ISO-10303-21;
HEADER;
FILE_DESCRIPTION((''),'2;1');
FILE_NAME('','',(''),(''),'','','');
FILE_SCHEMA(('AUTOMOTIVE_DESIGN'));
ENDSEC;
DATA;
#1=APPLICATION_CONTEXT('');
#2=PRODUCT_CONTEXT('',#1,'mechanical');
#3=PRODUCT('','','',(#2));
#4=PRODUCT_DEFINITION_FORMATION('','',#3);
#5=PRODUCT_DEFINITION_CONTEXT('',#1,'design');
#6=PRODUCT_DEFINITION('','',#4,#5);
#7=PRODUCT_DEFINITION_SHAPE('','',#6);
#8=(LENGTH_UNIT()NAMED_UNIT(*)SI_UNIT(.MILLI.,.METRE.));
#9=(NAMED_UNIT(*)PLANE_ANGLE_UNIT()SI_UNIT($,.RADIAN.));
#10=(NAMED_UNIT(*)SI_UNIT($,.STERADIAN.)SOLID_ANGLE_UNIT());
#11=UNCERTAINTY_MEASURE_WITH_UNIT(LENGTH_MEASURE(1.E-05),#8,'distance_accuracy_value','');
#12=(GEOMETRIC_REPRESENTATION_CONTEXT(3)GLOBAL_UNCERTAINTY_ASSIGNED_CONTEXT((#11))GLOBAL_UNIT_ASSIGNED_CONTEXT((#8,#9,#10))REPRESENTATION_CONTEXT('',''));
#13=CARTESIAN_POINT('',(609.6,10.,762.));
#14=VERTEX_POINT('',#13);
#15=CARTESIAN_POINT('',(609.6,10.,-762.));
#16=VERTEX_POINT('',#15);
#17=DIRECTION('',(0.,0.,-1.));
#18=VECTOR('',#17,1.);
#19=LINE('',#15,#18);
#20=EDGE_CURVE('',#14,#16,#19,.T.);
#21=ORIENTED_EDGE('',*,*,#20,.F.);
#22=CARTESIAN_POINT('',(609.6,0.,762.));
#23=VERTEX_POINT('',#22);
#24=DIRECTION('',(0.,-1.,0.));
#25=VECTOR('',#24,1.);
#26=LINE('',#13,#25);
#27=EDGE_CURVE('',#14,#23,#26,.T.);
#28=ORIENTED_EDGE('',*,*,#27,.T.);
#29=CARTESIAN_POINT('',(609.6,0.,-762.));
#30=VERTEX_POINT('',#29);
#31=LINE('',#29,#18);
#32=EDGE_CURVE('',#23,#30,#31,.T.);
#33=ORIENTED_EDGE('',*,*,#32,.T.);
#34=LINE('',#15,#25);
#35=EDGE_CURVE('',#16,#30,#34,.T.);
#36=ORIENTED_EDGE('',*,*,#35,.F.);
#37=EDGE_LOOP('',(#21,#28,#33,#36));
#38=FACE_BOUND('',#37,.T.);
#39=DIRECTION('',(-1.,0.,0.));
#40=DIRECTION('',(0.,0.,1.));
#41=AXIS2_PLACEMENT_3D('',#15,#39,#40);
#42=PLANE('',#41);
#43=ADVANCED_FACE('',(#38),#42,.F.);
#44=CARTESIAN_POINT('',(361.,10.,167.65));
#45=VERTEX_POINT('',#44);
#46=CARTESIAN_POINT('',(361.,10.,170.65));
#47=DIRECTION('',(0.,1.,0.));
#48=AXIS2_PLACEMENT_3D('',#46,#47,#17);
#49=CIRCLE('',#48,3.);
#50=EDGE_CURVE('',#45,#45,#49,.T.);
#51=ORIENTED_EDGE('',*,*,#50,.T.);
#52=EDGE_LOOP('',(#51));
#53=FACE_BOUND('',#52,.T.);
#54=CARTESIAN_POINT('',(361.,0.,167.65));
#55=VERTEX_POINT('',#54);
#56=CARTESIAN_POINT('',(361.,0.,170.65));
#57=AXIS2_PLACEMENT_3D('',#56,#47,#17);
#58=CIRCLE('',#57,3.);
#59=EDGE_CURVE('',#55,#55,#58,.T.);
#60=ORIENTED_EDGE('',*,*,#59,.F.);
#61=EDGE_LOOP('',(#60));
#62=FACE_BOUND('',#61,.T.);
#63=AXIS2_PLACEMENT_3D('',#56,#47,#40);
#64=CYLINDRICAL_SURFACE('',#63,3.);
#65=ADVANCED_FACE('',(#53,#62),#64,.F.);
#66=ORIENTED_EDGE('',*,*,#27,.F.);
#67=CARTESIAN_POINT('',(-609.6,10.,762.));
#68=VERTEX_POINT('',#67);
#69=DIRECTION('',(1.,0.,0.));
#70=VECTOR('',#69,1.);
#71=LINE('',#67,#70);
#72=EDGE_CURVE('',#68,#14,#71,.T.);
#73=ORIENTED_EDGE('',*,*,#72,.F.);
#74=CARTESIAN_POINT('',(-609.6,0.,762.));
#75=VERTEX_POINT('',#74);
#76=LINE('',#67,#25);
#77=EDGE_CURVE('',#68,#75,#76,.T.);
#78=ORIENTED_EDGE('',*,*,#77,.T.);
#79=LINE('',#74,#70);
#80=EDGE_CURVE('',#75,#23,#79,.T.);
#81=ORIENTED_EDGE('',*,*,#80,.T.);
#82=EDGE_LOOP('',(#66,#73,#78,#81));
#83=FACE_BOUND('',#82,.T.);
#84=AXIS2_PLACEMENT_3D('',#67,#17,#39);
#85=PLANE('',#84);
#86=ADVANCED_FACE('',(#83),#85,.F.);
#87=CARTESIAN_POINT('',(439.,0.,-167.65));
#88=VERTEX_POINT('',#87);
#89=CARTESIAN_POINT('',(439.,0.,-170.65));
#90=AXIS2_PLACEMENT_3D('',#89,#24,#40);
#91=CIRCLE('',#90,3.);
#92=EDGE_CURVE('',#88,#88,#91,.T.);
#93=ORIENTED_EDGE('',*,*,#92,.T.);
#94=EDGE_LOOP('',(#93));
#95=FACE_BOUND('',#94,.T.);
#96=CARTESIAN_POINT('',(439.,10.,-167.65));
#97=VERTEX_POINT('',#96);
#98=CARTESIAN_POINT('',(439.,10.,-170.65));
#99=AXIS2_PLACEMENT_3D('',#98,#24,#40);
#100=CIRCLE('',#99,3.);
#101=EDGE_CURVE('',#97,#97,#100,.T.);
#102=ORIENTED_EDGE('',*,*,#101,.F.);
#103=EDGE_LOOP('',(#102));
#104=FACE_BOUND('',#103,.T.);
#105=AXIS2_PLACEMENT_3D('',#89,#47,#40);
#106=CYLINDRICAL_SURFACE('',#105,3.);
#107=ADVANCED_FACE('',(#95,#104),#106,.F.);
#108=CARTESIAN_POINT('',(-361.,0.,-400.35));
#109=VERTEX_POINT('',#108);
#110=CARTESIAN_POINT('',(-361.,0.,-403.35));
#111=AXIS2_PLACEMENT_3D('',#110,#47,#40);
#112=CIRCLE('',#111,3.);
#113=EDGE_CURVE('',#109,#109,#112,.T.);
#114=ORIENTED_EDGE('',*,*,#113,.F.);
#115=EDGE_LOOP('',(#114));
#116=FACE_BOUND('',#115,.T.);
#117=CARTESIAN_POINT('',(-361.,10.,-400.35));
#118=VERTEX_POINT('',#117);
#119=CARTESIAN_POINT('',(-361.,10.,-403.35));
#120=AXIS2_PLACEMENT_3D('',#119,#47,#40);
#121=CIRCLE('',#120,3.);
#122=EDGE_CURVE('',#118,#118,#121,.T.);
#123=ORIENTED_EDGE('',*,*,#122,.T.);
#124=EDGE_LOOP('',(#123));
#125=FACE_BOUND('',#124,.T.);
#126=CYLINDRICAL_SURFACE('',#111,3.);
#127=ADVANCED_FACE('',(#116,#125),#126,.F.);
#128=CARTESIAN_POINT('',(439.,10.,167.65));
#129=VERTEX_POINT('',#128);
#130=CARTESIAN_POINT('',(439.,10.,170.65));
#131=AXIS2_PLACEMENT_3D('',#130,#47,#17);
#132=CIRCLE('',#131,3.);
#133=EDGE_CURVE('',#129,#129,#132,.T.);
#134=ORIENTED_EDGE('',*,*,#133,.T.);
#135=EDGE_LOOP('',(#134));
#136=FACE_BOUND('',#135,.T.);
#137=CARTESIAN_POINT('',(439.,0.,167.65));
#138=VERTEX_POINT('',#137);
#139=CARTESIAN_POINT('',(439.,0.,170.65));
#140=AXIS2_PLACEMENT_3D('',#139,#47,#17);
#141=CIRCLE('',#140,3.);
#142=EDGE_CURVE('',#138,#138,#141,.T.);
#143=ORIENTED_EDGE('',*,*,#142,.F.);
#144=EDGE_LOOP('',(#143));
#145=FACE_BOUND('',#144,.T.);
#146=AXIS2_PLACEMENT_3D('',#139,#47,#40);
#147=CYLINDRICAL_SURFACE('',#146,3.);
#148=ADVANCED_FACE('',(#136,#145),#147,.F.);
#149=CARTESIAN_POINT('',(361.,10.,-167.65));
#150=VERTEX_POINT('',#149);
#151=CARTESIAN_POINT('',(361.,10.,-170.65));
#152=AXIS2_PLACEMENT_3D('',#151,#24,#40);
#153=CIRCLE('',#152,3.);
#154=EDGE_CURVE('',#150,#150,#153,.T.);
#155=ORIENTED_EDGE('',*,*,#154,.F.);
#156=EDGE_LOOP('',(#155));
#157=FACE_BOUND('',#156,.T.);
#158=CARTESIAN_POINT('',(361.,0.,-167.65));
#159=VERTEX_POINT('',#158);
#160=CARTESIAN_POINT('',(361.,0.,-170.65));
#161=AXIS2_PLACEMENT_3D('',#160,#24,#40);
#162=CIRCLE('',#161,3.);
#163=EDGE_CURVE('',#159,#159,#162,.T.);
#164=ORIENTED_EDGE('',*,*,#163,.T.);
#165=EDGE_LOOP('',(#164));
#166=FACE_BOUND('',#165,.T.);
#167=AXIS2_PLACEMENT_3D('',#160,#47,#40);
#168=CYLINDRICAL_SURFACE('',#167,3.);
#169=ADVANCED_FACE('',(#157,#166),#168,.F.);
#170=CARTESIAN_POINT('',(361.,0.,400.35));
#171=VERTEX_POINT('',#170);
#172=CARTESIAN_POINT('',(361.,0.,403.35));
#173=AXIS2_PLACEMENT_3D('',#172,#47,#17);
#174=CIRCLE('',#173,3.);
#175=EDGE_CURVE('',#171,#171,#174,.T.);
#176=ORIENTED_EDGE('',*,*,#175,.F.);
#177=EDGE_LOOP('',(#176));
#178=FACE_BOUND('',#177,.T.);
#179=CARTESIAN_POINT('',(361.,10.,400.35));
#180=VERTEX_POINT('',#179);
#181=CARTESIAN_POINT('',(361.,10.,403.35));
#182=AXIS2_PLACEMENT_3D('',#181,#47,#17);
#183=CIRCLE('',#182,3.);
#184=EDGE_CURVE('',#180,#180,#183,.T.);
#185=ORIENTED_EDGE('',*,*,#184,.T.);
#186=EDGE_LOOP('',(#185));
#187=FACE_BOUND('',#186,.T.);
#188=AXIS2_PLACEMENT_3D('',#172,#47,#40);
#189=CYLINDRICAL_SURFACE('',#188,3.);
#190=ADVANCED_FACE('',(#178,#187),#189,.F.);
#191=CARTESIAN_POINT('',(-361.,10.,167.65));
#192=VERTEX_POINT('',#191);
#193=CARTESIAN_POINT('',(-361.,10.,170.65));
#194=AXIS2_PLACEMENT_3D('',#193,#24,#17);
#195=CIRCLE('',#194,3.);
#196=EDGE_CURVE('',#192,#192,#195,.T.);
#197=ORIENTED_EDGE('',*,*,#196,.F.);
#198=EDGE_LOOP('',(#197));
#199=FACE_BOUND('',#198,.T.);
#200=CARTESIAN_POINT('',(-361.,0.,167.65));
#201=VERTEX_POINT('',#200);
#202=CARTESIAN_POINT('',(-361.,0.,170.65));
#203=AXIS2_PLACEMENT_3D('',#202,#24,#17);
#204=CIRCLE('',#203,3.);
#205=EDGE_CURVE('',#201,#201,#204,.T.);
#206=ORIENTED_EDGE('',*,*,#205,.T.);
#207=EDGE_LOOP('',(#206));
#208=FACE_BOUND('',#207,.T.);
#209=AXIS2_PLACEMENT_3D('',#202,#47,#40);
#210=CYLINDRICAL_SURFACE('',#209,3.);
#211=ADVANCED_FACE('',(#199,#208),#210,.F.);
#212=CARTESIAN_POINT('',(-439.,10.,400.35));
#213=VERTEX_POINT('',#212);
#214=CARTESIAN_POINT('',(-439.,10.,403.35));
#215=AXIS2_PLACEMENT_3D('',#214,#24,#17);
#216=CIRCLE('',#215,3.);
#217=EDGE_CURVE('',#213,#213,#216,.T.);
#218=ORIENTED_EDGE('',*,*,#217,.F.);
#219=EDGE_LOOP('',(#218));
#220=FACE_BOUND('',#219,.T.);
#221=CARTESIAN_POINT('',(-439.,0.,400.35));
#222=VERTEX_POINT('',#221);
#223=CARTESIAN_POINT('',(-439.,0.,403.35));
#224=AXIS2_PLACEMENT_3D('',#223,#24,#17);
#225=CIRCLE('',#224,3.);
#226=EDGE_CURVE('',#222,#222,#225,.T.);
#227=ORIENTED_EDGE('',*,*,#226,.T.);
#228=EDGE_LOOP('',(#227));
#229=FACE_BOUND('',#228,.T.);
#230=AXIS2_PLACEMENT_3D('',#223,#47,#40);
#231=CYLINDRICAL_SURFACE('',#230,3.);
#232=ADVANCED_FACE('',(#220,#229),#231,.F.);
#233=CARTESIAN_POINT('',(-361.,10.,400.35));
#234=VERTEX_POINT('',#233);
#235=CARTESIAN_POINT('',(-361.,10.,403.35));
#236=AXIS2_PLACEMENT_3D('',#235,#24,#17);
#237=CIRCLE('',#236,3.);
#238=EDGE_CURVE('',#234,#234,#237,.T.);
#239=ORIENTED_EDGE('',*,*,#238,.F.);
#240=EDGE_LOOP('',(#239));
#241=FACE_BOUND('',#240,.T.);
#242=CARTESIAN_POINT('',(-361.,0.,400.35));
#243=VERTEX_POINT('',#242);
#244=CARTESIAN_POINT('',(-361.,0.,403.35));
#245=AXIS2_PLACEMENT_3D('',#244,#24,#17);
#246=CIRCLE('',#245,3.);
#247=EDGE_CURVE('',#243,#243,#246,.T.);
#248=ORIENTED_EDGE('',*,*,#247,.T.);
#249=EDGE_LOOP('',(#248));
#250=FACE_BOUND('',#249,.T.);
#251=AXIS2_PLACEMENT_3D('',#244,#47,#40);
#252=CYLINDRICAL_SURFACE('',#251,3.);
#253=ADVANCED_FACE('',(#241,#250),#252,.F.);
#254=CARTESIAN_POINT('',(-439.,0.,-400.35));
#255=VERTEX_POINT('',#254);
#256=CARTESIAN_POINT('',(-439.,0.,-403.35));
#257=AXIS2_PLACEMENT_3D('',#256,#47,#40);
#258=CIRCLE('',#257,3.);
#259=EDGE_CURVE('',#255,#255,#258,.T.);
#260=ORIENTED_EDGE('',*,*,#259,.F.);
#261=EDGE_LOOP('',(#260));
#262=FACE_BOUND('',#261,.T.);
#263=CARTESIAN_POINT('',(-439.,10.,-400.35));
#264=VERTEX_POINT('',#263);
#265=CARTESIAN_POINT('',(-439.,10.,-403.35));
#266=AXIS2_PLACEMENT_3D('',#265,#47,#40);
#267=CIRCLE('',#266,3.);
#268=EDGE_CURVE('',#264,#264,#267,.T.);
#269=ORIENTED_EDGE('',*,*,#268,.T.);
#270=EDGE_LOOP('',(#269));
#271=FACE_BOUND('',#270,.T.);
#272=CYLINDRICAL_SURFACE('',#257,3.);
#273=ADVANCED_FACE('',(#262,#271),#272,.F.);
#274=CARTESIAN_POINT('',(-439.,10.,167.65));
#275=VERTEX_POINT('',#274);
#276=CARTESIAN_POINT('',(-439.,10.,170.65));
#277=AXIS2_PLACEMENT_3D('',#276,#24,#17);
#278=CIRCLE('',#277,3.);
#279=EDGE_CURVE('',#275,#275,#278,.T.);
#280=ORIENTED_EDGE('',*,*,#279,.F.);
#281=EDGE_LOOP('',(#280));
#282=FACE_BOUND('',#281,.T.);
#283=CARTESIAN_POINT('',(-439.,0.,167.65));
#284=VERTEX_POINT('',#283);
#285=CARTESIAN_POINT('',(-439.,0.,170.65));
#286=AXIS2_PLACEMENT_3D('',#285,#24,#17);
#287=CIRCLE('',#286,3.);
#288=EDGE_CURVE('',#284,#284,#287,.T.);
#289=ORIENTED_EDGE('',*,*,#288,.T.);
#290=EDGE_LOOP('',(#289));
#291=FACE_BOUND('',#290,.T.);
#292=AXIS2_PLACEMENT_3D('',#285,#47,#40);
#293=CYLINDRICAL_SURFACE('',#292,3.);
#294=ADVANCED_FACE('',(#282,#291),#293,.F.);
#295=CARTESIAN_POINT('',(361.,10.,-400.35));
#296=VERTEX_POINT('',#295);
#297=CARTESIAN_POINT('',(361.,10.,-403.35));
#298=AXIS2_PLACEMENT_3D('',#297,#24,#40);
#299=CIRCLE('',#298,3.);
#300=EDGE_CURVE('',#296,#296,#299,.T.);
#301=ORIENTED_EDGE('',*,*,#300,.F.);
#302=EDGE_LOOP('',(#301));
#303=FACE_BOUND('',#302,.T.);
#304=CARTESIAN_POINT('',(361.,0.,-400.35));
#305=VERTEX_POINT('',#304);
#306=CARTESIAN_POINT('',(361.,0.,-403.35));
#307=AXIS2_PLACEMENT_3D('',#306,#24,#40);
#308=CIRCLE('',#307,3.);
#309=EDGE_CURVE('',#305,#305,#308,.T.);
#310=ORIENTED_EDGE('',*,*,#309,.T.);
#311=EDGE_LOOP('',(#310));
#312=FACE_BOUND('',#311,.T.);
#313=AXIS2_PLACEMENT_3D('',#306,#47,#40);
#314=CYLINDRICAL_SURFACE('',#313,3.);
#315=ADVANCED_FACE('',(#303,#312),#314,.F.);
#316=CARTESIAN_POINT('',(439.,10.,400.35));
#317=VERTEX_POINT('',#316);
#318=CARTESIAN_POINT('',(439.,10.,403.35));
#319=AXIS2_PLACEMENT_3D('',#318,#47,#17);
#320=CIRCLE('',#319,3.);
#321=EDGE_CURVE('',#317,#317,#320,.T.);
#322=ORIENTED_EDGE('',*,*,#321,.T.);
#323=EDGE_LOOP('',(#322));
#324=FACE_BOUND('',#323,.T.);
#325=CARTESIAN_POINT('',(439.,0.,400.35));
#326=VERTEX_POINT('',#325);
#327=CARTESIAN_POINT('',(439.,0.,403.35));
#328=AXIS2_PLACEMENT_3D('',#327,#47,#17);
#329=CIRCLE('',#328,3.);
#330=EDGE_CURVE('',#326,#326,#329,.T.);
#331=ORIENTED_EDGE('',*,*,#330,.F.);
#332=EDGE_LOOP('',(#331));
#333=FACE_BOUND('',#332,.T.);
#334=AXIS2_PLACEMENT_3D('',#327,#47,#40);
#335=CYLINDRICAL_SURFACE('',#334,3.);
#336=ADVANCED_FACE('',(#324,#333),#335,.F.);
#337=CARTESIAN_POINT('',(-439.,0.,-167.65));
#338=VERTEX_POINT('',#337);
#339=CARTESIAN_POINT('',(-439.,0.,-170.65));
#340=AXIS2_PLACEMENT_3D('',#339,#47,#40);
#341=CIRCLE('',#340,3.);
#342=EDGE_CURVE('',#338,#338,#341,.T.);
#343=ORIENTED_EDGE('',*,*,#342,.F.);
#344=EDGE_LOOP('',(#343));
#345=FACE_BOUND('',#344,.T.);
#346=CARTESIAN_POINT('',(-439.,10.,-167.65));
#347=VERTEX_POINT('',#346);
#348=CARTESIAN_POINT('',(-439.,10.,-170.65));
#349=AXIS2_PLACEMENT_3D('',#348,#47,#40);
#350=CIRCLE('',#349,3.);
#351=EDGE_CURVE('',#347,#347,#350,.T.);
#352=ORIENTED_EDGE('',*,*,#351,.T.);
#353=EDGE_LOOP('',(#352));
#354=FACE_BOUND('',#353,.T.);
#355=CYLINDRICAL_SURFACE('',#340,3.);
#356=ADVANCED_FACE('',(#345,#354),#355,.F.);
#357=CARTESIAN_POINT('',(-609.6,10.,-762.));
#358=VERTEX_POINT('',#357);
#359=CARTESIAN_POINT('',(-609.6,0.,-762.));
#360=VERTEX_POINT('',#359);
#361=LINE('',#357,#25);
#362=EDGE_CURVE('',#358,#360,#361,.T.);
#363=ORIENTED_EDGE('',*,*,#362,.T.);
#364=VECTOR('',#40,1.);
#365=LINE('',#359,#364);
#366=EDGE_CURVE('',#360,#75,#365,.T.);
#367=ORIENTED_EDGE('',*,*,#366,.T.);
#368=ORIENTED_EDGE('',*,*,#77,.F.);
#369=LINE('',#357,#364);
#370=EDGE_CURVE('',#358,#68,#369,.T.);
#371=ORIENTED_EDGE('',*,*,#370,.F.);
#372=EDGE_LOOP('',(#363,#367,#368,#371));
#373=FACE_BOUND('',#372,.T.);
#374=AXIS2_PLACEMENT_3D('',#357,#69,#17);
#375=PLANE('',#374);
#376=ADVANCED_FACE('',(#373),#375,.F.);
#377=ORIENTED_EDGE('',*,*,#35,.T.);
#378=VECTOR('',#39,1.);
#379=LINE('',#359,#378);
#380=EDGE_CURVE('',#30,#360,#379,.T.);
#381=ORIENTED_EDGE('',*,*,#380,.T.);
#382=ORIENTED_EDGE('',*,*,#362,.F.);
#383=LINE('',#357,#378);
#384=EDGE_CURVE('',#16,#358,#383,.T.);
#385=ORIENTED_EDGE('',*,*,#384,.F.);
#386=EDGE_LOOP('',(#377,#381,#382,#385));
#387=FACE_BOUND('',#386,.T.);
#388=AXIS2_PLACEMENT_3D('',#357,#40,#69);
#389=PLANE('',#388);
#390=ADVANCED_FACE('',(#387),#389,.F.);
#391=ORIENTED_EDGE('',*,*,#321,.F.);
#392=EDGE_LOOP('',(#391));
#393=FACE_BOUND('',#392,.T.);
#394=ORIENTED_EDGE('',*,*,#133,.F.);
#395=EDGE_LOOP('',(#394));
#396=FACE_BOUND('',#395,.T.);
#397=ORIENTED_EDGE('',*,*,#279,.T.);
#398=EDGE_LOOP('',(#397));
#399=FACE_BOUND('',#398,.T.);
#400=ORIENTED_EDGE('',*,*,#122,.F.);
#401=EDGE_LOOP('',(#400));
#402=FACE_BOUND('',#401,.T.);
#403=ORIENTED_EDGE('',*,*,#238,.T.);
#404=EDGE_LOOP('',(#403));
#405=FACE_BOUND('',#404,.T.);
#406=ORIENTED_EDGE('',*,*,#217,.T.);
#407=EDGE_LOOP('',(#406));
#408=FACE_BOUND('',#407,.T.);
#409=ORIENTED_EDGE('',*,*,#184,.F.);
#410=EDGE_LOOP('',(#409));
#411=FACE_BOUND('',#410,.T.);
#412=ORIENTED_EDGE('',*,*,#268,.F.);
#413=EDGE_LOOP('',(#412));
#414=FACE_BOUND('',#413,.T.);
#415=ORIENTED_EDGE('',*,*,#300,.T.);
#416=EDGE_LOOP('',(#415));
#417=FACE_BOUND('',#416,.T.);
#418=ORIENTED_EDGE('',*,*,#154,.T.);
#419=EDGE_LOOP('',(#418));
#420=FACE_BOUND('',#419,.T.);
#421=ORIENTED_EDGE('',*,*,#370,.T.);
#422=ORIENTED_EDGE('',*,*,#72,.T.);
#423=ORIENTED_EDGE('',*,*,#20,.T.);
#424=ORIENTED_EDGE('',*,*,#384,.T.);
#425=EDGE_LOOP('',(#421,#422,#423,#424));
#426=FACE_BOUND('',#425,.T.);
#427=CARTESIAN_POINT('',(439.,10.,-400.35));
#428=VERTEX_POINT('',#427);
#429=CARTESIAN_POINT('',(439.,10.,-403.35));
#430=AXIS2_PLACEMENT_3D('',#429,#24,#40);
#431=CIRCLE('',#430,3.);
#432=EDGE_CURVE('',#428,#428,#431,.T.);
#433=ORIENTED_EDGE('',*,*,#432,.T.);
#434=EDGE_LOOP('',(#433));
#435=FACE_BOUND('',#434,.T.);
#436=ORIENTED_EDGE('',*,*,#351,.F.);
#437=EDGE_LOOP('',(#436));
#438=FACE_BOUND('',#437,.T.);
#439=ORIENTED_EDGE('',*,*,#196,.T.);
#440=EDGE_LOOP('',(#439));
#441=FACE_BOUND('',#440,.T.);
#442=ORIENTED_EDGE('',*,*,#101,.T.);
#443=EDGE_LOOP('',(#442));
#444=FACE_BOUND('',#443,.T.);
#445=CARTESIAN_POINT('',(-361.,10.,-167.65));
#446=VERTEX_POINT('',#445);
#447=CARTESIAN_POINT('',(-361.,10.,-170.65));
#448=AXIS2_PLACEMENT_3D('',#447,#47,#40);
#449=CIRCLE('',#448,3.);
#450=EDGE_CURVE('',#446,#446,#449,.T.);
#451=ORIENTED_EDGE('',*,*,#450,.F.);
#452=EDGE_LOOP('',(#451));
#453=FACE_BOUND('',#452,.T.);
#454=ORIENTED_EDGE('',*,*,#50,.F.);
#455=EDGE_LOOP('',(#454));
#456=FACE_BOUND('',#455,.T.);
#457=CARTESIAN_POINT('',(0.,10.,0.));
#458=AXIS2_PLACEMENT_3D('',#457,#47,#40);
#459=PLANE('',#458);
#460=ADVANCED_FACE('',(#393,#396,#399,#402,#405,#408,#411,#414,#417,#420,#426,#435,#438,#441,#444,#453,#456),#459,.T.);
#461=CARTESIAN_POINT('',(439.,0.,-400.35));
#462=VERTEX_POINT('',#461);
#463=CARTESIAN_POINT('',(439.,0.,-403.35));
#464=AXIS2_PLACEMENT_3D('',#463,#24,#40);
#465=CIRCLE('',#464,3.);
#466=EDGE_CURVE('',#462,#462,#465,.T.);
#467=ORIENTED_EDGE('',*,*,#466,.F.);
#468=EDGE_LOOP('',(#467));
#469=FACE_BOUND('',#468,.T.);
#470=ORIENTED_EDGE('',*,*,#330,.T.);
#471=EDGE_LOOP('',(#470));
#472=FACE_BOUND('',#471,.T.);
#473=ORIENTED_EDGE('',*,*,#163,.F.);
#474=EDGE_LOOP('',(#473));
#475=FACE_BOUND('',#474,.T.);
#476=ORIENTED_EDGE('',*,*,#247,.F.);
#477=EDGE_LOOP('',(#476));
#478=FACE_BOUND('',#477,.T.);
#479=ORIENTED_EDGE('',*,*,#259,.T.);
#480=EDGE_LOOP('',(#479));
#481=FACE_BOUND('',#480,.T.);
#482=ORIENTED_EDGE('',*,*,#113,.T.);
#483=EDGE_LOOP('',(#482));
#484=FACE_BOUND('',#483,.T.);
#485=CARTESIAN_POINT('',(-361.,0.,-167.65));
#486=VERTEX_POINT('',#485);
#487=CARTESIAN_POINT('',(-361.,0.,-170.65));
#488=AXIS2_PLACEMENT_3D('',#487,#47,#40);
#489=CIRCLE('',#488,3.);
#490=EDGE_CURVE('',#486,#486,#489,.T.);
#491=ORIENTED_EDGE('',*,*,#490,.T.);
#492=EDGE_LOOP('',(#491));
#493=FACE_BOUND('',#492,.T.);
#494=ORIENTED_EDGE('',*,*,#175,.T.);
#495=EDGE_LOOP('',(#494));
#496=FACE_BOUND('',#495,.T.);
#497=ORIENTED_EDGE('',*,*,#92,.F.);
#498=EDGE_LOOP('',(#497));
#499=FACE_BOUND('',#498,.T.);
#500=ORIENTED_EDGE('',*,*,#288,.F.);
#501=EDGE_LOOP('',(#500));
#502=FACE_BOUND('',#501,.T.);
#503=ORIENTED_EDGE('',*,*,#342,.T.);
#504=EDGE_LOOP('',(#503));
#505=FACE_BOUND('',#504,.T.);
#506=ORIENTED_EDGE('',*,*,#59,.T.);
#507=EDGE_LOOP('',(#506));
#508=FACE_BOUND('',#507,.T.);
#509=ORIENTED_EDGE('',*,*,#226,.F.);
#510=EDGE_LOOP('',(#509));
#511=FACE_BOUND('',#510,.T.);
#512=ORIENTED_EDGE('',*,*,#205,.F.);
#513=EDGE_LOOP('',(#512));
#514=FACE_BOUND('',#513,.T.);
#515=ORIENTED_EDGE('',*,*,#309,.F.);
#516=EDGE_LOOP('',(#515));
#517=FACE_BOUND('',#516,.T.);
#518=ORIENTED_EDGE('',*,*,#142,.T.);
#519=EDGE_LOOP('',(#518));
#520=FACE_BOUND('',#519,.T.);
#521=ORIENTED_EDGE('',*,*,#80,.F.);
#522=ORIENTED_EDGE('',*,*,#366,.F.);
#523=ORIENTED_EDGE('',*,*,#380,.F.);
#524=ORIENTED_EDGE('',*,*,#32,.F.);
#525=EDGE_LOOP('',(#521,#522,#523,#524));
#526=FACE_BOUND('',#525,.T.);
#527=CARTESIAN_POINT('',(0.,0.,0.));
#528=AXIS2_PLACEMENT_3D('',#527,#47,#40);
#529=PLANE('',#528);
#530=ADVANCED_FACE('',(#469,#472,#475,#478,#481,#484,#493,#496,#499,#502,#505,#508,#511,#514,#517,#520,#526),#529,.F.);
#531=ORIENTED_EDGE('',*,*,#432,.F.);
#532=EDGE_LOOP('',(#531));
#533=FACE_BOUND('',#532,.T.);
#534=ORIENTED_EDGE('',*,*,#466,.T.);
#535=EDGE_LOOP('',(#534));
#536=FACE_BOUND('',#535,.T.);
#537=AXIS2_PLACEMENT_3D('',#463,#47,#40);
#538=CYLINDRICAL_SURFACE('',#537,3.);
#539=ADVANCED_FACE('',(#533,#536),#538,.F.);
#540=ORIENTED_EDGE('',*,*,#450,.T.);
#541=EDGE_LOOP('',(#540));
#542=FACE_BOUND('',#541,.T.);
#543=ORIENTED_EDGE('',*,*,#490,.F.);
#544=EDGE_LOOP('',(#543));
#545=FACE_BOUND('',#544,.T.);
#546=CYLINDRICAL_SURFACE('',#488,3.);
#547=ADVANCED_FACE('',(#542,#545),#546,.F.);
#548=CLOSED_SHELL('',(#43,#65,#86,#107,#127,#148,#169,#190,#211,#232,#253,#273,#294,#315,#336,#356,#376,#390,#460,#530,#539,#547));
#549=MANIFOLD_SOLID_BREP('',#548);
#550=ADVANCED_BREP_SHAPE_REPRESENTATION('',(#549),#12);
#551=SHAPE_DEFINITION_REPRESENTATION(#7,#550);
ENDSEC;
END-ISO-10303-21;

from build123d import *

# Parameters (mm, degrees)
SKETCH1_W                                  = 1219.2
SKETCH1_H                                  = 1524
BOSS_EXTRUDE1_DEPTH                        = 10
SKETCH2_R                                  = 3
CUT_EXTRUDE1_DEPTH                         = 976.887370551
MIRROR1_AT_THE_SECOND_PLANE_COPY_1_SKETC_R = 3
MIRROR1_AT_THE_SECOND_PLANE_COPY_1_DEPTH   = 976.887370551


with BuildPart() as part:
    # Sketch1 → Boss-Extrude1 (new body)
    with BuildSketch(Plane(origin=(0, 0, 0), x_dir=(1, 0, 0), z_dir=(0, 1, 0))):
        Rectangle(SKETCH1_W, SKETCH1_H)
    extrude(amount=BOSS_EXTRUDE1_DEPTH)

    # Sketch2 → Cut-Extrude1 (cut, through all)
    with BuildSketch(Plane(origin=(0, 10, 0), x_dir=(1, 0, 0), z_dir=(0, 1, 0))):
        with Locations(Location((-439, 403.35, 0), (0, 0, 270))):
            Circle(SKETCH2_R)
        with Locations(Location((-361, 403.35, 0), (0, 0, 270))):
            Circle(SKETCH2_R)
        with Locations(Location((-361, 170.65, 0), (0, 0, 270))):
            Circle(SKETCH2_R)
        with Locations(Location((-439, 170.65, 0), (0, 0, 270))):
            Circle(SKETCH2_R)
    cut_extrude1 = extrude(amount=-CUT_EXTRUDE1_DEPTH, mode=Mode.SUBTRACT)

    # Mirror1: Cut-Extrude1 across plane
    add(cut_extrude1.mirror(Plane(origin=(0, 0, 0), x_dir=(0, 0, 1), z_dir=(1, 0, 0))), mode=Mode.SUBTRACT)

    # Mirror1 at the second plane: Cut-Extrude1 across plane
    add(cut_extrude1.mirror(Plane.XY), mode=Mode.SUBTRACT)

    # Mirror1 at the second plane copy 1 sketc → Mirror1 at the second plane copy 1 (cut, through all)
    with BuildSketch(Plane(origin=(0, 10, 0), x_dir=(-1, 0, 0), z_dir=(0, 1, 0))):
        with Locations(Location((-439, 403.35, 0), (0, 0, 270))):
            Circle(MIRROR1_AT_THE_SECOND_PLANE_COPY_1_SKETC_R)
        with Locations(Location((-361, 403.35, 0), (0, 0, 270))):
            Circle(MIRROR1_AT_THE_SECOND_PLANE_COPY_1_SKETC_R)
        with Locations(Location((-361, 170.65, 0), (0, 0, 270))):
            Circle(MIRROR1_AT_THE_SECOND_PLANE_COPY_1_SKETC_R)
        with Locations(Location((-439, 170.65, 0), (0, 0, 270))):
            Circle(MIRROR1_AT_THE_SECOND_PLANE_COPY_1_SKETC_R)
    extrude(amount=-MIRROR1_AT_THE_SECOND_PLANE_COPY_1_DEPTH, mode=Mode.SUBTRACT)


solid = part.part
